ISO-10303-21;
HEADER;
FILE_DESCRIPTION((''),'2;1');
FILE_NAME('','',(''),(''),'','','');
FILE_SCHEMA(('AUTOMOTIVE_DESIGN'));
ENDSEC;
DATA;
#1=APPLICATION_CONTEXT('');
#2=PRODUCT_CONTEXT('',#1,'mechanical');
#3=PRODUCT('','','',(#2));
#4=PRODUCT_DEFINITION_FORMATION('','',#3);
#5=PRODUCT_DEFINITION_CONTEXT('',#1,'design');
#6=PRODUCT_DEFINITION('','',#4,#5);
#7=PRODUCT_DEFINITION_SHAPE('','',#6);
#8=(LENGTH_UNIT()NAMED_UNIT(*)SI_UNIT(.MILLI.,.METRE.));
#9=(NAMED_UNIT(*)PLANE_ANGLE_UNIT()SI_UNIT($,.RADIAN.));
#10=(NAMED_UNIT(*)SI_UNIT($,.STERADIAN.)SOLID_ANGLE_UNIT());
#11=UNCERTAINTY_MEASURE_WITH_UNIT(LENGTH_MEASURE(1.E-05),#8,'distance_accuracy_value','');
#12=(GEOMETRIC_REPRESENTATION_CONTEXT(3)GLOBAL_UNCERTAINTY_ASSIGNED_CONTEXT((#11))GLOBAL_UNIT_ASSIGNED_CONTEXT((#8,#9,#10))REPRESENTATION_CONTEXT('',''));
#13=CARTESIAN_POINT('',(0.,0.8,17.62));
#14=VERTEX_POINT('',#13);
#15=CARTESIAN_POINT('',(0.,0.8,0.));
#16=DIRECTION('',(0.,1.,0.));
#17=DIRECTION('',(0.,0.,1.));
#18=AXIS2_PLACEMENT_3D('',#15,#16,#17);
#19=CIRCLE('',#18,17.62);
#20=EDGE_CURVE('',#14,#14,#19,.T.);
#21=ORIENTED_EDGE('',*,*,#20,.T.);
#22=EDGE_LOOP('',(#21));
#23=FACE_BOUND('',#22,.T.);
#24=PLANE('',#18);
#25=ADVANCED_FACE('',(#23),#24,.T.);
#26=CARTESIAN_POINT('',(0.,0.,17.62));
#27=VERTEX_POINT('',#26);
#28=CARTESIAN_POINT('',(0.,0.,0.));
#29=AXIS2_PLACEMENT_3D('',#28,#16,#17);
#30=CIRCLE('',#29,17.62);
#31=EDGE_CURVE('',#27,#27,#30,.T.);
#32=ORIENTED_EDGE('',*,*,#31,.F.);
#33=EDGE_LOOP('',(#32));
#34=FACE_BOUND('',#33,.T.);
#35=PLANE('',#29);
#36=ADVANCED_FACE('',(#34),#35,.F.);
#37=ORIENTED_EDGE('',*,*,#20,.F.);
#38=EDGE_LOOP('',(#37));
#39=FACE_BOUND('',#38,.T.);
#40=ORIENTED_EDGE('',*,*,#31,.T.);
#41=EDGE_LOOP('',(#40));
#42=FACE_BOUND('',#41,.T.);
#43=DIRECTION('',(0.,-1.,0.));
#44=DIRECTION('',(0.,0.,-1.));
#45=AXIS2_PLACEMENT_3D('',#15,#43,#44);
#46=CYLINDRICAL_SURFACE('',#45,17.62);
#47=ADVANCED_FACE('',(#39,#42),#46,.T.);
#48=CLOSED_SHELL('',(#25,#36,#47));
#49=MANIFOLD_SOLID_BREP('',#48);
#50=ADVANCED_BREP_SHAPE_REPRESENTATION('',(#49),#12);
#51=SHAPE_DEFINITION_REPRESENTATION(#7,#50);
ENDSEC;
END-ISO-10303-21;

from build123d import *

# Parameters (mm, degrees)
ESQUISSE1_R        = 17.62
BOSS_EXTRU_1_DEPTH = 0.8


with BuildPart() as part:
    # Esquisse1 → Boss.-Extru.1 (new body)
    with BuildSketch(Plane(origin=(0, 0, 0), x_dir=(1, 0, 0), z_dir=(0, 1, 0))):
        Circle(ESQUISSE1_R)
    extrude(amount=BOSS_EXTRU_1_DEPTH)


solid = part.part
